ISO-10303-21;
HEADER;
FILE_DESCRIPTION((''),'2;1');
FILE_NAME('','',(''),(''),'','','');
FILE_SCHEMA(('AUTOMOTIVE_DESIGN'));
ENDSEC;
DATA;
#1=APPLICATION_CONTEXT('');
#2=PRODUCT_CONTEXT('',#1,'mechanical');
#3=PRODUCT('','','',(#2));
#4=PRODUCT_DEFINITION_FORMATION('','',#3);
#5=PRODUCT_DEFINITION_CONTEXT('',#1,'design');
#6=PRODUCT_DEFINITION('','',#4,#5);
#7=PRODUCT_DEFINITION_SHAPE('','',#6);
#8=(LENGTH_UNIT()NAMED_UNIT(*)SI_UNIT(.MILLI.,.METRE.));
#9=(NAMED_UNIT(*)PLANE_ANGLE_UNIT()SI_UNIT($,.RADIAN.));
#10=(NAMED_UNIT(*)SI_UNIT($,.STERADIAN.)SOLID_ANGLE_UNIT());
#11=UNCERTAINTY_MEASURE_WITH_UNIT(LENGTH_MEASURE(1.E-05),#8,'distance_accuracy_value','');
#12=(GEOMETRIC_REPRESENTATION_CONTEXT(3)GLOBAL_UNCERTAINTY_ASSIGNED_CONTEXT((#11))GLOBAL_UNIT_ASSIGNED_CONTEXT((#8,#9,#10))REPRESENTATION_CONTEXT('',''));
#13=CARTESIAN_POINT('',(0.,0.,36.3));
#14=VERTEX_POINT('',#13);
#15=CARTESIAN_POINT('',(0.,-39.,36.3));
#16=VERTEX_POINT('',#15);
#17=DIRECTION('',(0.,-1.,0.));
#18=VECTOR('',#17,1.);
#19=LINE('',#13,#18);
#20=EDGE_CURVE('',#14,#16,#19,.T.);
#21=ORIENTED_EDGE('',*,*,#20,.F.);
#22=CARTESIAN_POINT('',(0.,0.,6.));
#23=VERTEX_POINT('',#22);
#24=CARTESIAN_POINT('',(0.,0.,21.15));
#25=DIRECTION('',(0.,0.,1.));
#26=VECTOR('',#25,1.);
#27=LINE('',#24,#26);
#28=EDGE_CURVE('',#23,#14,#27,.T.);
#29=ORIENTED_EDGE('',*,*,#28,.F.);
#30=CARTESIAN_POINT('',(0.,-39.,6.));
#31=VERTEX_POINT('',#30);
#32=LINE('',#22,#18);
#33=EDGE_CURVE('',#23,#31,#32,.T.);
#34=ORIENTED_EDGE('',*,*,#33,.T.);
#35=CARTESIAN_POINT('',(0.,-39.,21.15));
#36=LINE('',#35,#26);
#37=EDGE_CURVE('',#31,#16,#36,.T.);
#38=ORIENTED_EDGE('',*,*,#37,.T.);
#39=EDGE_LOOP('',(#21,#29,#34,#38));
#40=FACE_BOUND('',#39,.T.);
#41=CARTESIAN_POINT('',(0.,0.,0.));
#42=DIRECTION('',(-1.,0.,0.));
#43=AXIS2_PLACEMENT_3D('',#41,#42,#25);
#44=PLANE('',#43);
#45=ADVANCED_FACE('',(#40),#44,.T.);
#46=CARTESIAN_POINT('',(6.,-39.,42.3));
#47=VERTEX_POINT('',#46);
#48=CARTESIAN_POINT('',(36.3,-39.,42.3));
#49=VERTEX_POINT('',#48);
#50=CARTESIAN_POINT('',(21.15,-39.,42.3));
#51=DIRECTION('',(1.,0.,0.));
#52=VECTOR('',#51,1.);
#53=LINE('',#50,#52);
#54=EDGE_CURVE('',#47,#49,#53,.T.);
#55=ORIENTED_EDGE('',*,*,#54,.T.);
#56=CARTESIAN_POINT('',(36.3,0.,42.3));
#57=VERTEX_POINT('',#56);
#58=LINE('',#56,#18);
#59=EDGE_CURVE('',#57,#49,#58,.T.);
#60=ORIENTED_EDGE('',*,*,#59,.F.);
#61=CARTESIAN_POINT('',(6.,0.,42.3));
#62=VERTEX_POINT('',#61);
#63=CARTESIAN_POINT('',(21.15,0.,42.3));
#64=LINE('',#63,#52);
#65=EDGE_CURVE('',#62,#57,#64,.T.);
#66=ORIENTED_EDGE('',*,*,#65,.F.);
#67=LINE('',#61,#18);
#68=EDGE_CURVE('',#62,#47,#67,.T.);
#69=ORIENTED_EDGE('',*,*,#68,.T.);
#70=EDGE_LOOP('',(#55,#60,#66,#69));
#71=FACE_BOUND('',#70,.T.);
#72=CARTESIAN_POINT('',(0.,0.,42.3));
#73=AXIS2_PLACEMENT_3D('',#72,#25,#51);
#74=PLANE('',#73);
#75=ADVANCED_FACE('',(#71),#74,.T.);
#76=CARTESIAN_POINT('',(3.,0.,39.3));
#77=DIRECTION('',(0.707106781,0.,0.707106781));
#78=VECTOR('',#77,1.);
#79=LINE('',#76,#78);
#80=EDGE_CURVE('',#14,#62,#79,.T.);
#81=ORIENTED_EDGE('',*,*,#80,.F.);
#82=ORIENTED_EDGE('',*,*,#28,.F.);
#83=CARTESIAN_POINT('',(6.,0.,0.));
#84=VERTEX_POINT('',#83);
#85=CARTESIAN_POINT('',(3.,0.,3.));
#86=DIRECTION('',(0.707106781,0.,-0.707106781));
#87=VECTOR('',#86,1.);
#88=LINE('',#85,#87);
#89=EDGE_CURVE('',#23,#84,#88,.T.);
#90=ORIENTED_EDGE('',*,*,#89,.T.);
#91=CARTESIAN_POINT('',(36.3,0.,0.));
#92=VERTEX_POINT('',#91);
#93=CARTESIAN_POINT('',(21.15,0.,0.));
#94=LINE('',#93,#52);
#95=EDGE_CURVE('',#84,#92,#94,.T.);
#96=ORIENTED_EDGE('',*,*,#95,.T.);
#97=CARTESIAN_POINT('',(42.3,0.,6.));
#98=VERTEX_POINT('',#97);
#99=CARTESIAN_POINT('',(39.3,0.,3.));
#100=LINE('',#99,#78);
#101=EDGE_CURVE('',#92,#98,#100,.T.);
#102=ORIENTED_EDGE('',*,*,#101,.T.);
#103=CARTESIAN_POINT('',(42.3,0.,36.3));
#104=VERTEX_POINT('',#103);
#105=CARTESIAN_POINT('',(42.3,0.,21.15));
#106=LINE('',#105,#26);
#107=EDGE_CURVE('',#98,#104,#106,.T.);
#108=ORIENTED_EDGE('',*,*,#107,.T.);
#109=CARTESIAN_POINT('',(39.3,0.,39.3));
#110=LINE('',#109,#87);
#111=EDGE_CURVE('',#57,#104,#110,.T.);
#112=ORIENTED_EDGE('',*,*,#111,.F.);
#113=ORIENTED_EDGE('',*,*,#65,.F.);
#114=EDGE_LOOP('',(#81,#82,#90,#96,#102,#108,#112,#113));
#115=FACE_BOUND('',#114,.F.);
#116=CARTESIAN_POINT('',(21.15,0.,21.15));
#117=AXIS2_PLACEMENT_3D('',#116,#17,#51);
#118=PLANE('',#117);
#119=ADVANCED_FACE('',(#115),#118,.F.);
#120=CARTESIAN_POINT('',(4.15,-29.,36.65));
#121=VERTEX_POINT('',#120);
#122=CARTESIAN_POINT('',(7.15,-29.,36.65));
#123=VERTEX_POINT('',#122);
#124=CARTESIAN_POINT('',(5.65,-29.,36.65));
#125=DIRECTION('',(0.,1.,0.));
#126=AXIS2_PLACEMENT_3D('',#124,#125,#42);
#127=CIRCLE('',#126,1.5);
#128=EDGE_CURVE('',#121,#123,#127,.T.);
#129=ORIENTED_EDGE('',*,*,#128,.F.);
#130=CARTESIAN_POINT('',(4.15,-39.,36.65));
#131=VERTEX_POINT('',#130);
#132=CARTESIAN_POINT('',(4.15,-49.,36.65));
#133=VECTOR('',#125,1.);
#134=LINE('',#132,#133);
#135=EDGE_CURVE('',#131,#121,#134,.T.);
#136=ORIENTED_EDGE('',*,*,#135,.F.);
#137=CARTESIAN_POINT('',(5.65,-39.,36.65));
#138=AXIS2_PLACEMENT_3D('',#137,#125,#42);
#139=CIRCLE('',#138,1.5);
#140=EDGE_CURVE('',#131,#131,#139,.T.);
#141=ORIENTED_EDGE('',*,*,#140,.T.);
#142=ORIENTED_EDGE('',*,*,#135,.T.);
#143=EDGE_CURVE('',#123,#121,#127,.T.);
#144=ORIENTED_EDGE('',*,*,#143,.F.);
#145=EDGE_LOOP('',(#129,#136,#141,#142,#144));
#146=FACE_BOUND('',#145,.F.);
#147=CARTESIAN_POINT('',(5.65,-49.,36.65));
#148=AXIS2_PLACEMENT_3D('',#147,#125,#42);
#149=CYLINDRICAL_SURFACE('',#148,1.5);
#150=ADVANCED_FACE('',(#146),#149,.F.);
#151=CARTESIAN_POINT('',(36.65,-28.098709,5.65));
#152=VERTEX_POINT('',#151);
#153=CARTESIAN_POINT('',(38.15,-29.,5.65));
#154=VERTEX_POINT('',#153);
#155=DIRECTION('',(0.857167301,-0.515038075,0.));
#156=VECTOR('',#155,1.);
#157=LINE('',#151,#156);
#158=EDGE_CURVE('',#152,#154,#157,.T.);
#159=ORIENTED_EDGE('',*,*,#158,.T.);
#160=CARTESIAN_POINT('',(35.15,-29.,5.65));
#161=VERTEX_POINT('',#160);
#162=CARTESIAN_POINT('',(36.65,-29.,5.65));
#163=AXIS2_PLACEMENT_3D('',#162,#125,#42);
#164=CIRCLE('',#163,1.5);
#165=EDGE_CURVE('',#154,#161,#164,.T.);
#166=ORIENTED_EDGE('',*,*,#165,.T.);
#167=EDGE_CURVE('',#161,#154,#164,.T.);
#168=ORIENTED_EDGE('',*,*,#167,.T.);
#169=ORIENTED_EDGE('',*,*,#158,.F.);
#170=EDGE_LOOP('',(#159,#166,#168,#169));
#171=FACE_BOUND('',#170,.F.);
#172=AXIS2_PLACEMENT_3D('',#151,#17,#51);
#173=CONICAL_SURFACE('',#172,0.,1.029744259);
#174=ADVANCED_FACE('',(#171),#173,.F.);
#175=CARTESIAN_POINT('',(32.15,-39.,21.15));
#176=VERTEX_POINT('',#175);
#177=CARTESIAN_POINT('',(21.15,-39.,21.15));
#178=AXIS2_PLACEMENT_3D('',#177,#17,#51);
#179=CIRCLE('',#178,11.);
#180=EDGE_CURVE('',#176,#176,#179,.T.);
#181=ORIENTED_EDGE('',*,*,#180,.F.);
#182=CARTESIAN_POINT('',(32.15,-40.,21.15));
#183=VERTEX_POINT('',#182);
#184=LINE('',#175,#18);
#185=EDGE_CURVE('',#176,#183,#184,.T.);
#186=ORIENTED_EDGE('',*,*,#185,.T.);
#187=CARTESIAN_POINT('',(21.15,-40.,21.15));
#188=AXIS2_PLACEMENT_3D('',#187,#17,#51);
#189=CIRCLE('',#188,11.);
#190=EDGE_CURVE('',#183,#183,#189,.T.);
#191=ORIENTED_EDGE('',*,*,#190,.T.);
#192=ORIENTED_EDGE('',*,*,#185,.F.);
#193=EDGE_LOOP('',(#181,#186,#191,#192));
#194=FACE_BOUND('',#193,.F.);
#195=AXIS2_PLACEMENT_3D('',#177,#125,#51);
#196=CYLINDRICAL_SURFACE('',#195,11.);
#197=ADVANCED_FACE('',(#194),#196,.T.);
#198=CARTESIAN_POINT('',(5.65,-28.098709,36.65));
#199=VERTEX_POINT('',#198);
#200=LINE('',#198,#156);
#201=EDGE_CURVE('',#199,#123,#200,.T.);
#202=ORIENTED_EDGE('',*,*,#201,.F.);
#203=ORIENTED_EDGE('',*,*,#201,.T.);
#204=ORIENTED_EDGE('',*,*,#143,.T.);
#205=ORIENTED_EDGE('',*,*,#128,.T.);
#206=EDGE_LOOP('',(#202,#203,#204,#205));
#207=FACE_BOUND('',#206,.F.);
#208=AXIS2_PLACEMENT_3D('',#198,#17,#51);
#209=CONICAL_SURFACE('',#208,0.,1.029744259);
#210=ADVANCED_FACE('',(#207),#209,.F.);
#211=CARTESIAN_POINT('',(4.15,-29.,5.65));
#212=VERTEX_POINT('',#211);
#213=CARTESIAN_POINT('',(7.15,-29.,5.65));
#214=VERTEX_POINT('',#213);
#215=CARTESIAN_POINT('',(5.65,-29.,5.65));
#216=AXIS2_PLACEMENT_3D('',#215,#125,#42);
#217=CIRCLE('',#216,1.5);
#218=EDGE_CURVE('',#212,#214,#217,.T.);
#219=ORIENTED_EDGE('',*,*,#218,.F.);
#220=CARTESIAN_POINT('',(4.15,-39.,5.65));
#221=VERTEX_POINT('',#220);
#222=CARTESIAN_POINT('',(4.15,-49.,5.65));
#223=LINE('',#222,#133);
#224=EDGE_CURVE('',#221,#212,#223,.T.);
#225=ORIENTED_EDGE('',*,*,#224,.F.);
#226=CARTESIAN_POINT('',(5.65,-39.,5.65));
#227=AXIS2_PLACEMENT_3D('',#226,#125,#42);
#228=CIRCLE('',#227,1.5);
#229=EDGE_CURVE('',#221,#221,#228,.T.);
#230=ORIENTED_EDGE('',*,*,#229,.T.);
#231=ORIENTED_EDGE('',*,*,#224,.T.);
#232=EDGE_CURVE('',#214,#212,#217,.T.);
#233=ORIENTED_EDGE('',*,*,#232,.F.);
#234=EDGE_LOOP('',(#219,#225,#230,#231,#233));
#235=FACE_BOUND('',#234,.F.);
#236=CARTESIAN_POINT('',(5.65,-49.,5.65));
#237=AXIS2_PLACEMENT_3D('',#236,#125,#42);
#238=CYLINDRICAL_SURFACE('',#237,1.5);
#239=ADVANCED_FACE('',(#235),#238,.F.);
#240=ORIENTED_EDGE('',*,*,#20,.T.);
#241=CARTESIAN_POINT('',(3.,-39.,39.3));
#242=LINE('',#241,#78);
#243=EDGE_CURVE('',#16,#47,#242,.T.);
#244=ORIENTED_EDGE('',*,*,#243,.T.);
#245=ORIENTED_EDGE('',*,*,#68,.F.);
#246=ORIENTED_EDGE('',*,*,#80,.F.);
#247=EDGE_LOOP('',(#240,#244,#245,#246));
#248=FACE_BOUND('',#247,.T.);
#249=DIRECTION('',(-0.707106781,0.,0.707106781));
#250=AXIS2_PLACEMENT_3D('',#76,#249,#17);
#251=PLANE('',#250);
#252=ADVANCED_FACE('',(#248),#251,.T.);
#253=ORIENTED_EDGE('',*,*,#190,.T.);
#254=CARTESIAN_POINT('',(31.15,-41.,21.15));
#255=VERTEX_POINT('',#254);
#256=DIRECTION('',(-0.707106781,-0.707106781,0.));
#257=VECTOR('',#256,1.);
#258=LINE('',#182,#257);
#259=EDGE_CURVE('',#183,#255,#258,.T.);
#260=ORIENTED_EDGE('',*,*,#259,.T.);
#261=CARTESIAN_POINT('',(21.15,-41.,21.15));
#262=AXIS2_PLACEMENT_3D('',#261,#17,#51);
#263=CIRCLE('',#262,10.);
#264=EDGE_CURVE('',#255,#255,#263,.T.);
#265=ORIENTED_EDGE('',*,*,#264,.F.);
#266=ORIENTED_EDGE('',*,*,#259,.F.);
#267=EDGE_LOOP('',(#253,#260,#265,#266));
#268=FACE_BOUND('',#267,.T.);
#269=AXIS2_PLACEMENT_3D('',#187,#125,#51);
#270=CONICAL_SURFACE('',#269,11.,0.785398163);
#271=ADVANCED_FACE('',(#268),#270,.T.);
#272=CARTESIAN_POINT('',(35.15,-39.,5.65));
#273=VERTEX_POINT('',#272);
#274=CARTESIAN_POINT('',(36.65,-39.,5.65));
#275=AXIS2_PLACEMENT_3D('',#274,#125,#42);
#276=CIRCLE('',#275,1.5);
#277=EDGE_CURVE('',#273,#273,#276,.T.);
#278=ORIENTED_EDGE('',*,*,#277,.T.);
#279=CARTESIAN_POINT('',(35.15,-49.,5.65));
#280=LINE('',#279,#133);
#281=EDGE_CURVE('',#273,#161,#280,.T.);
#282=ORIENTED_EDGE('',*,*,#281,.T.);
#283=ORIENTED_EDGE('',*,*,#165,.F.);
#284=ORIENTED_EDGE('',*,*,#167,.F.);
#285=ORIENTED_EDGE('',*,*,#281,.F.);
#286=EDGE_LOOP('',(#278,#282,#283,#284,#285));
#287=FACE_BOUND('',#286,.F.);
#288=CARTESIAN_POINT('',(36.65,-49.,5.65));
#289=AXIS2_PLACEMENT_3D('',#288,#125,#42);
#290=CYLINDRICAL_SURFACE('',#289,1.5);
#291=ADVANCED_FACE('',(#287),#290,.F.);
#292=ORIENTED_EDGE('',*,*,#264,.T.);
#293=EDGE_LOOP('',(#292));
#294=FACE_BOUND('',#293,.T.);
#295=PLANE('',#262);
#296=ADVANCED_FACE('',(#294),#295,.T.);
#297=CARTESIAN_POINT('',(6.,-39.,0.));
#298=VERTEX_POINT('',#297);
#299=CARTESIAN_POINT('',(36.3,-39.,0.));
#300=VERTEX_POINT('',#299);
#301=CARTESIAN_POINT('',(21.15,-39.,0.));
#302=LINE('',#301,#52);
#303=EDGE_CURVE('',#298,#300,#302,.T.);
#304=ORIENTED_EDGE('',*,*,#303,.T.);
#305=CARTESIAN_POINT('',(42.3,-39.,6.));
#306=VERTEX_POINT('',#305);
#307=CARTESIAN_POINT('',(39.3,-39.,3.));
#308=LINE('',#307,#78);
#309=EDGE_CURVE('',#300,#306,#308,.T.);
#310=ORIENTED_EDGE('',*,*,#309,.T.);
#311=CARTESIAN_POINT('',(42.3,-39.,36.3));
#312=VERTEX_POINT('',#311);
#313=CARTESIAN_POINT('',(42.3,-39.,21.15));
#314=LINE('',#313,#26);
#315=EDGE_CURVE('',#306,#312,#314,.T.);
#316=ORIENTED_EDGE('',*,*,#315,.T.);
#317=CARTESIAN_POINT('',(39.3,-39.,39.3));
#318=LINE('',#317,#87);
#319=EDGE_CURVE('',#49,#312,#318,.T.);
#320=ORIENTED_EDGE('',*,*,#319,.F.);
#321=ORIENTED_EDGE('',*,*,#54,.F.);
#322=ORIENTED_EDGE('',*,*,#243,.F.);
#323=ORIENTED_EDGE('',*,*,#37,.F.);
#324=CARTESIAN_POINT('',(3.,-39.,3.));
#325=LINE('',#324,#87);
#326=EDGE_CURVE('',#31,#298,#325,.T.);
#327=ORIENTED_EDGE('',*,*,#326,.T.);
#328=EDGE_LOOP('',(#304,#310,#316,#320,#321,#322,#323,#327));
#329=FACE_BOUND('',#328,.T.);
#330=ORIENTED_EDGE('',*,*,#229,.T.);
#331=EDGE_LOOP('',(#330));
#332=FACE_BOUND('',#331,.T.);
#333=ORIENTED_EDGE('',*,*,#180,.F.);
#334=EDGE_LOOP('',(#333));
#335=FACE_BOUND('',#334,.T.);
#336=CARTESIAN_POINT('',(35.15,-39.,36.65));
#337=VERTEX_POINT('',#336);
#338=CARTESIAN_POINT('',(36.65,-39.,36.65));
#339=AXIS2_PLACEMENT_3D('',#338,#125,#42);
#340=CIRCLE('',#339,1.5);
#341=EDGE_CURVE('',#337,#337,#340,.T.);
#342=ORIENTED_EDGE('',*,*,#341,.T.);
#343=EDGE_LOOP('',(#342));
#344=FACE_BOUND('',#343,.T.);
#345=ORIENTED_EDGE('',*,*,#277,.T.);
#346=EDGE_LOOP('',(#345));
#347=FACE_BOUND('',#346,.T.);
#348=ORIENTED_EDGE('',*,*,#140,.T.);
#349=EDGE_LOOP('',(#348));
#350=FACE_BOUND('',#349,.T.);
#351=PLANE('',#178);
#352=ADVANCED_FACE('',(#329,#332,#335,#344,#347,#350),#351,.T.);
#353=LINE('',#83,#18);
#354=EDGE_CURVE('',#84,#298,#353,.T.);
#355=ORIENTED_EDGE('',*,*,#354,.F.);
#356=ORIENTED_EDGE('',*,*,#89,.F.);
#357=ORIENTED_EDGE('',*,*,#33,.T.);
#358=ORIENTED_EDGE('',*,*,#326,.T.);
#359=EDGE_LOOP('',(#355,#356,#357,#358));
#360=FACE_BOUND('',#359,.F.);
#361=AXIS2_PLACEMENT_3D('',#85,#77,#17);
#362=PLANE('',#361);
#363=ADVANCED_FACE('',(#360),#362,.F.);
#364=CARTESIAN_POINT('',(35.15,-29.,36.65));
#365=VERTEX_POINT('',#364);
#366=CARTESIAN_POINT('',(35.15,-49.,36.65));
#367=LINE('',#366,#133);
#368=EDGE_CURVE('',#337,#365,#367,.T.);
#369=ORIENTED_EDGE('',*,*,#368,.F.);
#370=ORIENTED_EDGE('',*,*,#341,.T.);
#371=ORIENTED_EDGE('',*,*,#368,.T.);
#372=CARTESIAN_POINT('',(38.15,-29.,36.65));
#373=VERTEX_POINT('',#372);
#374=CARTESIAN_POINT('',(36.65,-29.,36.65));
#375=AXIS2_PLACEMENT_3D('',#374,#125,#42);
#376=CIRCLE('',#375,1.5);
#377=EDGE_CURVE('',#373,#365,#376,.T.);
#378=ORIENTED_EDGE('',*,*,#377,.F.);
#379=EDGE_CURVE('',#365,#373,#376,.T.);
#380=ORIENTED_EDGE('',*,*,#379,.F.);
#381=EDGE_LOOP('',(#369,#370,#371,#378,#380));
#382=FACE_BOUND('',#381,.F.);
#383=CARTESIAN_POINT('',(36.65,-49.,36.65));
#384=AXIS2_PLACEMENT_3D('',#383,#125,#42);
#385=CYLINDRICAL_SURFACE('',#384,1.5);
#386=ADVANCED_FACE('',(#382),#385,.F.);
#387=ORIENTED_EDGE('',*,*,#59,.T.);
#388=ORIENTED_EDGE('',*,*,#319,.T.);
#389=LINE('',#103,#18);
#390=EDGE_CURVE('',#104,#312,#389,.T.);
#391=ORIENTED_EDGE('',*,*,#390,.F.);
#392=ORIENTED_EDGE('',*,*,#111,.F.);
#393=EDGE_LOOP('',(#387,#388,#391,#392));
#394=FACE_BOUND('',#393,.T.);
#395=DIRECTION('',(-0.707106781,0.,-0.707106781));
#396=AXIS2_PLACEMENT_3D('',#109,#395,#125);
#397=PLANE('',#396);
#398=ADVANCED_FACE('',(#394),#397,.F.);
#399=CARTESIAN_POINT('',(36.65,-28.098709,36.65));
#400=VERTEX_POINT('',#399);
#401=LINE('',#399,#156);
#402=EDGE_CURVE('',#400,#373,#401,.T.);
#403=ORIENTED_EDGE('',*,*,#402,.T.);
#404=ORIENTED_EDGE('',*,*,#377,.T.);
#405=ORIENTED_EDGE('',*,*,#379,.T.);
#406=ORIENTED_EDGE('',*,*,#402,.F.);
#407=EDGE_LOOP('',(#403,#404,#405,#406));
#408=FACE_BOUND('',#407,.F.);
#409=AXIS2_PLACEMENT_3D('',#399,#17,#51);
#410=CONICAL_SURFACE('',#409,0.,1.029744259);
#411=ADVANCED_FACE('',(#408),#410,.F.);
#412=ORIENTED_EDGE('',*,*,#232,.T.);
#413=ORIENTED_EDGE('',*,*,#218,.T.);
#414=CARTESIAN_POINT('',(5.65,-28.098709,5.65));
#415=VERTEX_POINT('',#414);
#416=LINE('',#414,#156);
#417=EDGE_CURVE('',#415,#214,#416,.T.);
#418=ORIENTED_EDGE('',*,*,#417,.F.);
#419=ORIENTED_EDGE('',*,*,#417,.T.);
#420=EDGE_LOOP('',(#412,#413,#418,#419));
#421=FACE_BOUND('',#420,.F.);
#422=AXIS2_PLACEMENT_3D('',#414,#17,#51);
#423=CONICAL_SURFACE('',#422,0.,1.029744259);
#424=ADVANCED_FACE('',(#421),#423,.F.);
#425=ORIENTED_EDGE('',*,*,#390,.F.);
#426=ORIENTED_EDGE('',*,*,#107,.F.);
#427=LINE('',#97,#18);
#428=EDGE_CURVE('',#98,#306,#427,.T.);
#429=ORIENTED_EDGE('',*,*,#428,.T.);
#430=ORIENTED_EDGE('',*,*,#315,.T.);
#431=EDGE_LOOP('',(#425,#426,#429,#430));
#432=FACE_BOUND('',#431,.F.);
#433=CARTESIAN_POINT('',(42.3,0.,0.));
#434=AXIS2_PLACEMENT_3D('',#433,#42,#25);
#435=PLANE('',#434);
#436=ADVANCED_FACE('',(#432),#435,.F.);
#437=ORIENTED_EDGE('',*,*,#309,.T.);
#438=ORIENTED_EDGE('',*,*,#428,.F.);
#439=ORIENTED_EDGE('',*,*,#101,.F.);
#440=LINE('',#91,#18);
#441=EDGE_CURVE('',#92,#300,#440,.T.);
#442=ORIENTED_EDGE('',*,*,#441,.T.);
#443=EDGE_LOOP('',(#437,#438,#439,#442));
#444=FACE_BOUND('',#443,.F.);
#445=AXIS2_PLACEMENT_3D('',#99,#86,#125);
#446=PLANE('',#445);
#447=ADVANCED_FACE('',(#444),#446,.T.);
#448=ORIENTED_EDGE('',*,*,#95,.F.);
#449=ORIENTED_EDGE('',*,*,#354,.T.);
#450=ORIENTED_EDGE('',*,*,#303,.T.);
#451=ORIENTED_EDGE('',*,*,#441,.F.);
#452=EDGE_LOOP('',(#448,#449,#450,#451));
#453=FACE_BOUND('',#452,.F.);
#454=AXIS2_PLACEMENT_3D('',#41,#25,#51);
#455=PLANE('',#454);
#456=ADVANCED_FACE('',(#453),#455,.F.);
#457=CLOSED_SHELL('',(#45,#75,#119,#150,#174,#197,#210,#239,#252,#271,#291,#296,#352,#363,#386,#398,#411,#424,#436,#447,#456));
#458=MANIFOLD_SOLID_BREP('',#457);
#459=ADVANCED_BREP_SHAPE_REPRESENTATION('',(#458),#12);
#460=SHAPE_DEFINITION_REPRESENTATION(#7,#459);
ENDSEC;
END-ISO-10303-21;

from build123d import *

# Parameters (mm, degrees)
F0_W     = 42.3
F0_H     = 42.3
F1_DEPTH = 39
F2_R     = 11
F3_DEPTH = 2
F4_SIZE  = 1
F6_D     = 3
F6_DEPTH = 10
F6_TIP   = 0.9012909285
F7_SIZE  = 6


with BuildPart() as f1:
    # F0 (on Front) → F1 (new body)
    with BuildSketch(Plane.XZ):
        with Locations((21.15, 21.15)):
            Rectangle(F0_W, F0_H)
    extrude(amount=F1_DEPTH)

    # F2 (on face) → F3 (join)
    with BuildSketch(Plane.XZ.offset(39)):
        with Locations((21.15, 21.15)):
            Circle(F2_R)
    extrude(amount=F3_DEPTH)

    # F4
    f4_edges = [f1.edges().sort_by_distance(p)[0] for p in [
        (10.15, -41, 21.15),
    ]]
    chamfer(f4_edges, length=F4_SIZE)

    # F6
    with Locations(Plane.XZ.offset(39)):
        with Locations((5.65, 36.65), (36.65, 36.65), (36.65, 5.65), (5.65, 5.65)):
            Hole(F6_D / 2, depth=F6_DEPTH)
            with Locations((0, 0, -(F6_DEPTH + F6_TIP / 2))):  # 118° drill point
                Cone(0, F6_D / 2, F6_TIP, mode=Mode.SUBTRACT)

    # F7
    f7_edges = [f1.edges().sort_by_distance(p)[0] for p in [
        (0, -19.5, 42.3),
        (0, -19.5, 0),
        (42.3, -19.5, 42.3),
        (42.3, -19.5, 0),
    ]]
    chamfer(f7_edges, length=F7_SIZE)


solid = f1.part
